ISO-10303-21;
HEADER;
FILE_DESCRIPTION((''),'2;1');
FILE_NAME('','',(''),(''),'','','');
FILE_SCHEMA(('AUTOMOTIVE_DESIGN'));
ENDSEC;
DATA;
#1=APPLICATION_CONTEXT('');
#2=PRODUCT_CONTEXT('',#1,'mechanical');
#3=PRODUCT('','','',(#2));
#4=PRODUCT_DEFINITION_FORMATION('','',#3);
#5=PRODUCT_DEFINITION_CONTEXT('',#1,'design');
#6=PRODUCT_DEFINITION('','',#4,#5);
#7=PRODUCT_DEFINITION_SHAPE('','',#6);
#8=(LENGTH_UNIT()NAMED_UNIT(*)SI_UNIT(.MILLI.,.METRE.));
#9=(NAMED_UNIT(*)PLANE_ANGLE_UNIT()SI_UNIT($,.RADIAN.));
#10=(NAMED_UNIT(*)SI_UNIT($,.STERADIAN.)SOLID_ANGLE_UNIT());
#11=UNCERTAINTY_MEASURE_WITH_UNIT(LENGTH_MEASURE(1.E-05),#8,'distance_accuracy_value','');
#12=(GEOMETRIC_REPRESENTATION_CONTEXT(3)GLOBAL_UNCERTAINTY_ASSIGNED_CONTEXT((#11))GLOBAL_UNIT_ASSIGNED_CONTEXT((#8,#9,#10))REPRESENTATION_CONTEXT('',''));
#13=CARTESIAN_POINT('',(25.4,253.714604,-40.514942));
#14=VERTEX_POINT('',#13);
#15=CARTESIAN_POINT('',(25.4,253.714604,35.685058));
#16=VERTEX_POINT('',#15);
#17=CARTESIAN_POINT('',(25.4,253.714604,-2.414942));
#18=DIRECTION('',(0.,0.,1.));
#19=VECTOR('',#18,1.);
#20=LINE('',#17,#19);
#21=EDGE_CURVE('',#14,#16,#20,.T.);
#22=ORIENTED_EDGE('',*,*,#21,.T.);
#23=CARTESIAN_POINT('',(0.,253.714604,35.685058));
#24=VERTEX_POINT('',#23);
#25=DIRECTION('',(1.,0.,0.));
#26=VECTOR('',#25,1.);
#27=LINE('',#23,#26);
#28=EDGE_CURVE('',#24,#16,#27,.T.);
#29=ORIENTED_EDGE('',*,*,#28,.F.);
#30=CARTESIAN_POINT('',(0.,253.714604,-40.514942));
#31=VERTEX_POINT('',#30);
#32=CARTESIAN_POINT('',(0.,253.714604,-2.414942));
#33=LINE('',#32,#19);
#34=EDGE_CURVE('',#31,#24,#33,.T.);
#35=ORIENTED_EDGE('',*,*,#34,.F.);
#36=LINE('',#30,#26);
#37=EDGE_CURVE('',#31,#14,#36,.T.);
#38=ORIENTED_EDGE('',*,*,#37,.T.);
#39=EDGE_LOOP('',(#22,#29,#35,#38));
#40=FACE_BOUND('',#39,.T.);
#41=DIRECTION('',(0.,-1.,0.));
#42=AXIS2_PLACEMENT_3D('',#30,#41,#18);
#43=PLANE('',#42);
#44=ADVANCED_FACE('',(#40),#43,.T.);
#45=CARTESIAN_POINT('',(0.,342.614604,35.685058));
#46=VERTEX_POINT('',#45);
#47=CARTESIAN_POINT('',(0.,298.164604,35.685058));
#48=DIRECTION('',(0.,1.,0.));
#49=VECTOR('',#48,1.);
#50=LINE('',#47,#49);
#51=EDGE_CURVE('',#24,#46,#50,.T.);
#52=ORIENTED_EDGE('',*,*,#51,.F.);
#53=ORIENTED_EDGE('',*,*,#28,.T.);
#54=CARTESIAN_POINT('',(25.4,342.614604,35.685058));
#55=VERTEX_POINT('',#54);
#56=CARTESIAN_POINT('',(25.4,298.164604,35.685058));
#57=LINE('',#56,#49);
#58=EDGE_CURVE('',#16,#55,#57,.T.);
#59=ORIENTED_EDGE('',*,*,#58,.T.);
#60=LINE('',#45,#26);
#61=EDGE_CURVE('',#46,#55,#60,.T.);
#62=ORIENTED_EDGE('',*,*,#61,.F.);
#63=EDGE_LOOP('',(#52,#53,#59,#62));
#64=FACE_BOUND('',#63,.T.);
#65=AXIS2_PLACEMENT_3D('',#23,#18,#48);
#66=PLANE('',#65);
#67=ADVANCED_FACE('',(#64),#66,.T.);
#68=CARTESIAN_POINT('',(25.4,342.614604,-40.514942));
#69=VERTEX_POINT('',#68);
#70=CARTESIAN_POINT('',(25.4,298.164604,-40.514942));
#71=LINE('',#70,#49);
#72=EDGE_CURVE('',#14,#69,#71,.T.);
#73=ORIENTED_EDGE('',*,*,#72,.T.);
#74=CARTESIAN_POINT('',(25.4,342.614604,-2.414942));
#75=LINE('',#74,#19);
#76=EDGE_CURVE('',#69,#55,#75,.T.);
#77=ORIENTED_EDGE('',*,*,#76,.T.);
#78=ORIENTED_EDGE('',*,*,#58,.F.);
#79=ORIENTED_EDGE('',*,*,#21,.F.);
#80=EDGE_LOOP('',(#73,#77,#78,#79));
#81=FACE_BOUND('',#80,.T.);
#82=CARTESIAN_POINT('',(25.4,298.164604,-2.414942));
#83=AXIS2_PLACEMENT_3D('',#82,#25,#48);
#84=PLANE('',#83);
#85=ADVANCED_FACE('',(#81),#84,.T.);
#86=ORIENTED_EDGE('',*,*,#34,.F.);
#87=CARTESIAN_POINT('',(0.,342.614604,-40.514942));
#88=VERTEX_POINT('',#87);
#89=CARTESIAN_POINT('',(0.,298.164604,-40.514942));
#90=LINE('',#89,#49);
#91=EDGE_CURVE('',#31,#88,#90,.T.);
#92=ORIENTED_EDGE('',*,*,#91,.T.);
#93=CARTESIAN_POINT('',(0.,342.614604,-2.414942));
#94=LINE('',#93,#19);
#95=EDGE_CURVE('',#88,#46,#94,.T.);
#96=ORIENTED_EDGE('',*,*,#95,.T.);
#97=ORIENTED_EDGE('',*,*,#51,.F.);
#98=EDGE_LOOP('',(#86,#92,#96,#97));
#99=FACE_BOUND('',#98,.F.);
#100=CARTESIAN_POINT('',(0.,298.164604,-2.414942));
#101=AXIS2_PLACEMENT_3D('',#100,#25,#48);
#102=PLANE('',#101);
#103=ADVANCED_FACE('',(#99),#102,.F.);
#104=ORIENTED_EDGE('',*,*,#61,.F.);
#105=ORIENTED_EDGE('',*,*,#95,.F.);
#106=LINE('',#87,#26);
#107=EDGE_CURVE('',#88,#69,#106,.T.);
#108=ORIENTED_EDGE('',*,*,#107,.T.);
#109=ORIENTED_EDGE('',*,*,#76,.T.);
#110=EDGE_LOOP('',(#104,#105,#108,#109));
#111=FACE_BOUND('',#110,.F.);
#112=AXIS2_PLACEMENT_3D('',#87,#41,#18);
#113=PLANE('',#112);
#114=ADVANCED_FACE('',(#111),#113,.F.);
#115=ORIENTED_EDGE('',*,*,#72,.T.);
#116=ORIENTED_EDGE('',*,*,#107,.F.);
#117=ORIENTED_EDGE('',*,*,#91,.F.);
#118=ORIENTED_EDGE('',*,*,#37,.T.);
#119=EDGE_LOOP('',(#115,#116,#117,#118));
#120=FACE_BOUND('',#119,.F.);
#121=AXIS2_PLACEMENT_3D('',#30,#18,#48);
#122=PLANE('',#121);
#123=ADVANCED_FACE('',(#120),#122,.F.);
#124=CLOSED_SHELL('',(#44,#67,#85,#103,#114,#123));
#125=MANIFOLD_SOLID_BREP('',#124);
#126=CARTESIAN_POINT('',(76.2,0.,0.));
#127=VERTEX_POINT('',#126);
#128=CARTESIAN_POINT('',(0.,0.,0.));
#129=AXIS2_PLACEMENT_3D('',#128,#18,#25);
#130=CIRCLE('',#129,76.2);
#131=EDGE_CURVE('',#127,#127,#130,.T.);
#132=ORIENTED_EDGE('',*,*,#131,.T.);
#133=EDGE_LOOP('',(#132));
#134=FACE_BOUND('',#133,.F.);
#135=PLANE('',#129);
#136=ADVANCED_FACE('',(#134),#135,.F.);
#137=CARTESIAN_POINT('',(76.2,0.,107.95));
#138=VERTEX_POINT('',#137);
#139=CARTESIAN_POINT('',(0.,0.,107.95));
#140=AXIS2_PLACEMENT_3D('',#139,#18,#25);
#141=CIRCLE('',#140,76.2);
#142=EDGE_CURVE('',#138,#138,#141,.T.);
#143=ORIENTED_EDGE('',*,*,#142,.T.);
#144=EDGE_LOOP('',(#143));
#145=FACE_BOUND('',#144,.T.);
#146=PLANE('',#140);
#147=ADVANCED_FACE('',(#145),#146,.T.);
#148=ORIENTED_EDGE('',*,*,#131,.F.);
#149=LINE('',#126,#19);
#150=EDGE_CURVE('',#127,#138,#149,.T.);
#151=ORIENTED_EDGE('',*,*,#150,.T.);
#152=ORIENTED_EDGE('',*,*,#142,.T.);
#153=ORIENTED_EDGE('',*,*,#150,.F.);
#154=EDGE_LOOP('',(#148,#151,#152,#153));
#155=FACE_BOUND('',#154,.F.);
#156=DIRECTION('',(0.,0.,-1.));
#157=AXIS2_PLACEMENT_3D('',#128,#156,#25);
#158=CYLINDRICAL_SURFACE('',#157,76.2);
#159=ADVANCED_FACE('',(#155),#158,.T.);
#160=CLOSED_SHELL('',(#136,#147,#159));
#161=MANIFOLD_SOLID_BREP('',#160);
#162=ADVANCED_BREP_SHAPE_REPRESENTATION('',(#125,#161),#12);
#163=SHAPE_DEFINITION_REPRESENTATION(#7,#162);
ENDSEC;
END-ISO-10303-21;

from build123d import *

# Parameters (mm, degrees)
F0_R     = 76.2
F1_DEPTH = 107.95
F2_W     = 88.9
F2_H     = 76.2
F3_DEPTH = 25.4


with BuildPart() as f1:
    # F0 (on Top) → F1 (new body)
    with BuildSketch(Plane.XY):
        Circle(F0_R)
    extrude(amount=F1_DEPTH)


with BuildPart() as f3:
    # F2 (on Right) → F3 (new body)
    with BuildSketch(Plane.YZ):
        with Locations((298.164604, -2.414942)):
            Rectangle(F2_W, F2_H)
    extrude(amount=F3_DEPTH)


solid = Compound([f1.part, f3.part])
